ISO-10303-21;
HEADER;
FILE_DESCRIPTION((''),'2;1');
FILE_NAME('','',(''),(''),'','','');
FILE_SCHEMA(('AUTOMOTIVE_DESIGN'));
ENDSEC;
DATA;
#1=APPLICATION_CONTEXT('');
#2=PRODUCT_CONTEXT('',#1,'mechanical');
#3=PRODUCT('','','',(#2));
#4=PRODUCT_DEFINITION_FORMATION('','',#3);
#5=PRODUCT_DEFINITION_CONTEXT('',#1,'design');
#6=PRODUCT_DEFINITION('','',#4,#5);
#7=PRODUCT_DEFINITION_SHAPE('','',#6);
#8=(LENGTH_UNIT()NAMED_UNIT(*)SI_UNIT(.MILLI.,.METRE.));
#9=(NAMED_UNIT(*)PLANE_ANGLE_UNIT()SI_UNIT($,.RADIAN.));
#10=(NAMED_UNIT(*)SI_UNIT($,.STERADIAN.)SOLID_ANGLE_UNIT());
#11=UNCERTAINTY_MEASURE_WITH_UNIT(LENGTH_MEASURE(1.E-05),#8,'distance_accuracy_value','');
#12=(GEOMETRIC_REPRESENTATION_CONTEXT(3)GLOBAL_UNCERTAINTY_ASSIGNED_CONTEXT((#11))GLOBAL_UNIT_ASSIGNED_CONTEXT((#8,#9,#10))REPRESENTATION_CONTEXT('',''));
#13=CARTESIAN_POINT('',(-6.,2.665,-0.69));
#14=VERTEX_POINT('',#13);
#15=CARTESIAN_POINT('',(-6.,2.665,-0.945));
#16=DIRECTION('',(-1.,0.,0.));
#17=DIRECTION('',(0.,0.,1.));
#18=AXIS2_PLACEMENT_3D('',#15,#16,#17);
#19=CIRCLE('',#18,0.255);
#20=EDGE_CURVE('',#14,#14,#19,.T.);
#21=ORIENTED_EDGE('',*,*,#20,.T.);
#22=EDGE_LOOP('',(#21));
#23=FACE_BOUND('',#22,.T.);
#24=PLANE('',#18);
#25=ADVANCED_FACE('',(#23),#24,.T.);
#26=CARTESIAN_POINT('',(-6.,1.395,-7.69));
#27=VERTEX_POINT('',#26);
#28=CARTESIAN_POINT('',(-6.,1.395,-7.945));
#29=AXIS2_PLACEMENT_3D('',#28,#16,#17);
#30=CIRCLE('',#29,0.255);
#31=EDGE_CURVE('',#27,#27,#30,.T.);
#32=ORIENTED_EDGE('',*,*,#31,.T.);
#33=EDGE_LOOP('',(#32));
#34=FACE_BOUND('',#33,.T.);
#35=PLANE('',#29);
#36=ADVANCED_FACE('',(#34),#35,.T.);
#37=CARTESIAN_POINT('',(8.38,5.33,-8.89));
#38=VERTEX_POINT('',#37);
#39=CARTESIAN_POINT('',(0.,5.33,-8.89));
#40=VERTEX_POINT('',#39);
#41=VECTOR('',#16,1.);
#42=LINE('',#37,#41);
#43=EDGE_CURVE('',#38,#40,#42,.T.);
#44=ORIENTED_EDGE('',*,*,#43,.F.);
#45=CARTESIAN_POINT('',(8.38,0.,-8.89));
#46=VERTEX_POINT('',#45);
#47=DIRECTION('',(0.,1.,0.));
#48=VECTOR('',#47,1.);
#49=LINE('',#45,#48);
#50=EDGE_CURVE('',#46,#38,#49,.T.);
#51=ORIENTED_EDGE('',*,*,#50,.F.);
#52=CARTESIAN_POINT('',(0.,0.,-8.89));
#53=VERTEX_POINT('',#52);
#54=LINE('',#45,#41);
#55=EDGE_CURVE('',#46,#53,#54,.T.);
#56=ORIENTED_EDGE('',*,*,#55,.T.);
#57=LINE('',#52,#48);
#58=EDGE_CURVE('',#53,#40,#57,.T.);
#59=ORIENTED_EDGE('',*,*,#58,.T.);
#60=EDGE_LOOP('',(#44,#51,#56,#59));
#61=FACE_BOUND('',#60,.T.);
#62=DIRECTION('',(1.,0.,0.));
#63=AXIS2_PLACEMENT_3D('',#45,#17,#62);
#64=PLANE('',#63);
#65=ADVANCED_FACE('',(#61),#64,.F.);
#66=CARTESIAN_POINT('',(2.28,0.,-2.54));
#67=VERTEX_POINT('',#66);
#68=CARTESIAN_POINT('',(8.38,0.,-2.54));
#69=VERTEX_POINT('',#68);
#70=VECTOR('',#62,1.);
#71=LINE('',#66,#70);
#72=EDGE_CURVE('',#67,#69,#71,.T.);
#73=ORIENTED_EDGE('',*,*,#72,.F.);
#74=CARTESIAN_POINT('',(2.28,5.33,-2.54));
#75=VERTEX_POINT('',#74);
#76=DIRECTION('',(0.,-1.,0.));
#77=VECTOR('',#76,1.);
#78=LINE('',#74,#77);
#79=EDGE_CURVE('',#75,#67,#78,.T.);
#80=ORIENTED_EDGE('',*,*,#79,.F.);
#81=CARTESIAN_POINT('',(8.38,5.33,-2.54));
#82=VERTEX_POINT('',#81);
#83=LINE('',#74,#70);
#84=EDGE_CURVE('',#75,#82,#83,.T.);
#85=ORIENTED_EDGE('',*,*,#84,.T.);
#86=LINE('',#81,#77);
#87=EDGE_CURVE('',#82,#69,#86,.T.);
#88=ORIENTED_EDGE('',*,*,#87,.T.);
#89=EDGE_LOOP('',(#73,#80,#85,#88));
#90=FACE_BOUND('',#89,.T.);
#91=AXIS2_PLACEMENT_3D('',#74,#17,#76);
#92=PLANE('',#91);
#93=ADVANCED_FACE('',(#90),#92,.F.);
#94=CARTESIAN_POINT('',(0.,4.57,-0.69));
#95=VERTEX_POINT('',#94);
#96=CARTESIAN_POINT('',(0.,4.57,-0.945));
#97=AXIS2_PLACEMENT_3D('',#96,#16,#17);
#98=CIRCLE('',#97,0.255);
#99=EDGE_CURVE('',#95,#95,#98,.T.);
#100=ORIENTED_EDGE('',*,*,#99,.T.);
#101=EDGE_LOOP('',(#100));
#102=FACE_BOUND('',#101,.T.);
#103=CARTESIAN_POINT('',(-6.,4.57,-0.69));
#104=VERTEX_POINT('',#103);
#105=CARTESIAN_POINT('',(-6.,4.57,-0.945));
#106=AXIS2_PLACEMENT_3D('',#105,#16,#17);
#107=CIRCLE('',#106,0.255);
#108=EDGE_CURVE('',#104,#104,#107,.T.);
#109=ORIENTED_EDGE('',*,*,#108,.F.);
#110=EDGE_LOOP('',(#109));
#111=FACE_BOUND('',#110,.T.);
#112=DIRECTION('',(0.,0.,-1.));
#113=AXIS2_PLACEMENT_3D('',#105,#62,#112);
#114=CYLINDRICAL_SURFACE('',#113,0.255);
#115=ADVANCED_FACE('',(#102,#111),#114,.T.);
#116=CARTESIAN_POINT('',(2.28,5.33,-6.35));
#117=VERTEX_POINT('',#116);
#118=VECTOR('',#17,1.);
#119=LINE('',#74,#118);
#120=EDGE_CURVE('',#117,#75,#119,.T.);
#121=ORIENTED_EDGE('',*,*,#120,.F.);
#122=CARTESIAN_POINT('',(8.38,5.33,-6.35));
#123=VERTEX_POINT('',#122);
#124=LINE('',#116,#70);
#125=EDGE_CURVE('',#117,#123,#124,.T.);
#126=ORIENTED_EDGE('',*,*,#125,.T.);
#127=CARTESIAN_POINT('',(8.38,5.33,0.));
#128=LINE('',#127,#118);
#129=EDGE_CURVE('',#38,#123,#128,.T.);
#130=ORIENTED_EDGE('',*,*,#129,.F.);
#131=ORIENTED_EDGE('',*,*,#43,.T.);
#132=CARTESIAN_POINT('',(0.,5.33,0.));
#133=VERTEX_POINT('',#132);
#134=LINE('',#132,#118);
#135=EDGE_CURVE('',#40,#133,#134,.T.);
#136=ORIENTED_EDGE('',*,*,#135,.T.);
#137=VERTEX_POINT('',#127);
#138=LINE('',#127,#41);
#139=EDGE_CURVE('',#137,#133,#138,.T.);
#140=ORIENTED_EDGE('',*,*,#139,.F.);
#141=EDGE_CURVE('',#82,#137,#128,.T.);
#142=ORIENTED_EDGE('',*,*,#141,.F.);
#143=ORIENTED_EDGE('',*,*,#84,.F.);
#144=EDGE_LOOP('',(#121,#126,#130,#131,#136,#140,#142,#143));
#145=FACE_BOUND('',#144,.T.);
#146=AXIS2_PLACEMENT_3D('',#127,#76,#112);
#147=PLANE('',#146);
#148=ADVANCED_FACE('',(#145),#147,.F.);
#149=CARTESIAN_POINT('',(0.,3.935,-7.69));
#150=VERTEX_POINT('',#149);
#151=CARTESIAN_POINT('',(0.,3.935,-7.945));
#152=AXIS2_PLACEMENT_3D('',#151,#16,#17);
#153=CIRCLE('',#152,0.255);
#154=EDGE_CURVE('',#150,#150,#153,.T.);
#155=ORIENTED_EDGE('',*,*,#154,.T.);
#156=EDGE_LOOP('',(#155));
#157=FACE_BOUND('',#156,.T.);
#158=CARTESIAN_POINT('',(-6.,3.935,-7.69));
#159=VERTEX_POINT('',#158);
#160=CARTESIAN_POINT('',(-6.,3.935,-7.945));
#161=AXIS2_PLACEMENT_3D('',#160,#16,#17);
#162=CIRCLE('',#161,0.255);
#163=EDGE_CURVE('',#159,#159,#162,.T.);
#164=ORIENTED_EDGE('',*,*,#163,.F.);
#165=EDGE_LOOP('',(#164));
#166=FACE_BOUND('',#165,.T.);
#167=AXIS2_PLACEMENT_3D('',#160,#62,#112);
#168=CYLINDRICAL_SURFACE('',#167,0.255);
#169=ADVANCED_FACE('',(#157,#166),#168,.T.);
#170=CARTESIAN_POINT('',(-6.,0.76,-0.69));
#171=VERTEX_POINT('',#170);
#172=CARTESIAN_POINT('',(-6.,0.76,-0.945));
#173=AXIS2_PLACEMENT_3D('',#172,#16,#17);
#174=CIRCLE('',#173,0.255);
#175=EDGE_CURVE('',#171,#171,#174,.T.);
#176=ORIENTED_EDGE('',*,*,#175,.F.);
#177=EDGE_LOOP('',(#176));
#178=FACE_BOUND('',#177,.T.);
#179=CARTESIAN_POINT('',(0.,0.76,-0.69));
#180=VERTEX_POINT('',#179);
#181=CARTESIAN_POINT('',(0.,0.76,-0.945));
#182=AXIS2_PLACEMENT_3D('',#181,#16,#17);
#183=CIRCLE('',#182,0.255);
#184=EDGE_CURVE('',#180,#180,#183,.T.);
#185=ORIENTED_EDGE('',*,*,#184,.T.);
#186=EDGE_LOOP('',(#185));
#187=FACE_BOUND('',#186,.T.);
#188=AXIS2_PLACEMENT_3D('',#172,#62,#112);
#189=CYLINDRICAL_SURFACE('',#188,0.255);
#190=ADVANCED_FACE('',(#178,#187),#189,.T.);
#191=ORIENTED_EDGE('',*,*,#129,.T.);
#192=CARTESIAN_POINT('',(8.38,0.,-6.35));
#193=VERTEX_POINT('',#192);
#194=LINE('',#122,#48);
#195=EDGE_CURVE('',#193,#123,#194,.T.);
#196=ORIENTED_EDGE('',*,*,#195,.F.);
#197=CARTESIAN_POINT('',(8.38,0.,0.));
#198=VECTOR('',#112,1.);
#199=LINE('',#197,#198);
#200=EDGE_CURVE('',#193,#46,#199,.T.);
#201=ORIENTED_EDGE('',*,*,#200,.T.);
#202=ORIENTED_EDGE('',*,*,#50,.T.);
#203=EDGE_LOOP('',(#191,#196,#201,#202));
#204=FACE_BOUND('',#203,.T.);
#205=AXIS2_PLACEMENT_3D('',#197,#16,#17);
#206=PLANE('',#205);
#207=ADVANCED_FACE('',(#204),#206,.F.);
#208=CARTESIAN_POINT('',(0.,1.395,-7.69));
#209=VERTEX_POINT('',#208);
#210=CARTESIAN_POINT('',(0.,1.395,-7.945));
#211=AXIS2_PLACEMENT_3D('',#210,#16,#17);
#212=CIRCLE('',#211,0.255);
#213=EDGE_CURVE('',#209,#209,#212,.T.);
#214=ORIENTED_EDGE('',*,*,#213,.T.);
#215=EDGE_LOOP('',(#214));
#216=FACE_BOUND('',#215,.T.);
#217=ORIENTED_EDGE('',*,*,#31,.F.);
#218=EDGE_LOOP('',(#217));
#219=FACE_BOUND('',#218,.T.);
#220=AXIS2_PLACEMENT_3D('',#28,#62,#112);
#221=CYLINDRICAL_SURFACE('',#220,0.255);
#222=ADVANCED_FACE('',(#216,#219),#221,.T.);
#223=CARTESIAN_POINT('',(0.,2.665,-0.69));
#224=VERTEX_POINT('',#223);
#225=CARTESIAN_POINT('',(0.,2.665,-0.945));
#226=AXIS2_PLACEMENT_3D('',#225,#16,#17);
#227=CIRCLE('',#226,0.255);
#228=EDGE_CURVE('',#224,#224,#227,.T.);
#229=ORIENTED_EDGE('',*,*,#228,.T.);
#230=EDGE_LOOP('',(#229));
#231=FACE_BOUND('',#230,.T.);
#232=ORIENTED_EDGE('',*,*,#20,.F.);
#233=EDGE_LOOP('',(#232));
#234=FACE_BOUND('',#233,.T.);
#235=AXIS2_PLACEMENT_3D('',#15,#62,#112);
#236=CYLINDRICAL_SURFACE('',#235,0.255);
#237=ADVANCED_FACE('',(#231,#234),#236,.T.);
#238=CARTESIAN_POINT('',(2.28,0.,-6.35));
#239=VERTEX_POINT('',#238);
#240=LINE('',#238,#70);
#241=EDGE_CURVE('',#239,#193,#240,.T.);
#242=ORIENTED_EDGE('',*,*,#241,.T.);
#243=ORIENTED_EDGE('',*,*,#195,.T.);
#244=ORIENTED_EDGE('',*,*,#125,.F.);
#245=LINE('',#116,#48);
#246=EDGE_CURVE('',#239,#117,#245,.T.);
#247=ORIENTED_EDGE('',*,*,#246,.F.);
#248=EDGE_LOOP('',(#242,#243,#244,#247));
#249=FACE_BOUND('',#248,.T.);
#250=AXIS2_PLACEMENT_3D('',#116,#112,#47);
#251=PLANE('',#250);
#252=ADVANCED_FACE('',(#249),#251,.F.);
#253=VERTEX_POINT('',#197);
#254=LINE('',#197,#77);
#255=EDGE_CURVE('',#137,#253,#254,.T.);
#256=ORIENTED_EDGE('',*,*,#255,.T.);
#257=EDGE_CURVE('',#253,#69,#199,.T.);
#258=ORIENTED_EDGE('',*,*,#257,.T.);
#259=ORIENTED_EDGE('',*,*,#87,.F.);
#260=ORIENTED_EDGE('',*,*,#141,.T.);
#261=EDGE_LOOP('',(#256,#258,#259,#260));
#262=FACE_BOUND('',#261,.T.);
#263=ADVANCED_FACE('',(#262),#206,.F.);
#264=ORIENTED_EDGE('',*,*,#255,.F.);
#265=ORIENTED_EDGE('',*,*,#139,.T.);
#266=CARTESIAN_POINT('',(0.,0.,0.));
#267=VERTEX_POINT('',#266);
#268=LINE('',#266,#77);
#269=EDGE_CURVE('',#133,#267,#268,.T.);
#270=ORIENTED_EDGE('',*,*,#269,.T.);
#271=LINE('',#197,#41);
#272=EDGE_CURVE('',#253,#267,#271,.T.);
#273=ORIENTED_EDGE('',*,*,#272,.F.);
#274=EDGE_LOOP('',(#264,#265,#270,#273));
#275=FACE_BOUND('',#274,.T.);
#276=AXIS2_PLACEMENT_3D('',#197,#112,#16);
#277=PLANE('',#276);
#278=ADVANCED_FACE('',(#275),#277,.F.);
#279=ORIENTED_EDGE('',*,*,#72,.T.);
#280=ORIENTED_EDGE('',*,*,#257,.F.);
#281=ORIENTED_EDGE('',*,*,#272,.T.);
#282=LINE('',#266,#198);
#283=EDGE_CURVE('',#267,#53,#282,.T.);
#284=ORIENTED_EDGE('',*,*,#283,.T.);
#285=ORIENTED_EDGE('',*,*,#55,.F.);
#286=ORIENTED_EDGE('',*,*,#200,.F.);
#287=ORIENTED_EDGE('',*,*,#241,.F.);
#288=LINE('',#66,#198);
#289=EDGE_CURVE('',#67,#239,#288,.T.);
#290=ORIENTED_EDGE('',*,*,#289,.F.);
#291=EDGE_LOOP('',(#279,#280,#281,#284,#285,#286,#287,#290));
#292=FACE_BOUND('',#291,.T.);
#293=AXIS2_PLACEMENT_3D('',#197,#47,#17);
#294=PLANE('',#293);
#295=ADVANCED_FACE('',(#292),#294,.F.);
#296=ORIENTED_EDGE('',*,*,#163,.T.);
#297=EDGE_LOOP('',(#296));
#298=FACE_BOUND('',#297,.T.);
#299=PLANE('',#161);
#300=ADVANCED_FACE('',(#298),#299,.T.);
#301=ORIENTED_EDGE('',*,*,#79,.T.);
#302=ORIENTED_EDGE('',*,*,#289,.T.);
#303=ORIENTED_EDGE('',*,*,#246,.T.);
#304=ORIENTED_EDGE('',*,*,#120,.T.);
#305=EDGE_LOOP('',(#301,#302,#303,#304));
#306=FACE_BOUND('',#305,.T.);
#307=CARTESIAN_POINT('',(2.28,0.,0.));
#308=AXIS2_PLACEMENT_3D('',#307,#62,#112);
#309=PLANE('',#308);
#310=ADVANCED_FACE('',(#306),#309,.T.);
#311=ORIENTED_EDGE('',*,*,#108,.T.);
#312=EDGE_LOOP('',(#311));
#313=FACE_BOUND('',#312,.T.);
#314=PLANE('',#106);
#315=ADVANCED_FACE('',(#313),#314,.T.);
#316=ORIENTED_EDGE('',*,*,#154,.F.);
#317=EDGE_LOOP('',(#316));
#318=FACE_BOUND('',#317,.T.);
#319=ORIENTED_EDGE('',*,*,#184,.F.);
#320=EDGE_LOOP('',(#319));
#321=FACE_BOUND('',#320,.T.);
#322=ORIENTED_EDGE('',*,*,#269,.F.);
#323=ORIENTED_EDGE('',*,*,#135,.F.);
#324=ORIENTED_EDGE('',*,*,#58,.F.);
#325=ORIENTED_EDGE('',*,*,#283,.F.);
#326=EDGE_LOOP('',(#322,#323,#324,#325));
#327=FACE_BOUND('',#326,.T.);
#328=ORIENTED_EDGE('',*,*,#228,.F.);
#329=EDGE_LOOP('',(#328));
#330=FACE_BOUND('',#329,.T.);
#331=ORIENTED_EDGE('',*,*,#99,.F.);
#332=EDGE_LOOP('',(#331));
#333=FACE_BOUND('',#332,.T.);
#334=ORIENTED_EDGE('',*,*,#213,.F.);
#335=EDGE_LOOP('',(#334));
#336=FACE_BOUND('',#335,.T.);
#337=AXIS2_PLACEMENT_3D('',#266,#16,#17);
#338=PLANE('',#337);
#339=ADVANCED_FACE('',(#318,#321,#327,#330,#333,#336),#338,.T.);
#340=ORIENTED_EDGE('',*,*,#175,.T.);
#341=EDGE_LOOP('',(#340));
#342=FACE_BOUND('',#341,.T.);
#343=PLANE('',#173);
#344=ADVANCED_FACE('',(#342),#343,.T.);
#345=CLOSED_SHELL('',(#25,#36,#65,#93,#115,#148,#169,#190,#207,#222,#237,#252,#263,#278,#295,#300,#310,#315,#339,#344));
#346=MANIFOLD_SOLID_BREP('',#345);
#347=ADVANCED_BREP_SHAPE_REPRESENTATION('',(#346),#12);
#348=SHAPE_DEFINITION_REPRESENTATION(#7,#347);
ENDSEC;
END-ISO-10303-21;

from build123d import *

# Parameters (mm, degrees)
SKETCH1_W           = 8.89
SKETCH1_H           = 5.33
BOSS_EXTRUDE1_DEPTH = 8.38
SKETCH2_W           = 3.81
SKETCH2_H           = 5.33
CUT_EXTRUDE1_DEPTH  = 6.1
SKETCH3_R           = 0.255
BOSS_EXTRUDE2_DEPTH = 6


with BuildPart() as part:
    # Sketch1 → Boss-Extrude1 (new body)
    with BuildSketch(Plane(origin=(0, 0, 0), x_dir=(0, 0, -1), z_dir=(1, 0, 0))):
        with Locations((4.445, 2.665)):
            Rectangle(SKETCH1_W, SKETCH1_H)
    extrude(amount=BOSS_EXTRUDE1_DEPTH)

    # Sketch2 → Cut-Extrude1 (cut)
    with BuildSketch(Plane(origin=(8.38, 0, 0), x_dir=(0, 0, -1), z_dir=(1, 0, 0))):
        with Locations((4.445, 2.665)):
            Rectangle(SKETCH2_W, SKETCH2_H)
    extrude(amount=-CUT_EXTRUDE1_DEPTH, mode=Mode.SUBTRACT)

    # Sketch3 → Boss-Extrude2 (add)
    with BuildSketch(Plane.ZY):
        with Locations((-7.945, 3.935)):
            Circle(SKETCH3_R)
        with Locations((-7.945, 1.395)):
            Circle(SKETCH3_R)
        with Locations((-0.945, 4.57)):
            Circle(SKETCH3_R)
        with Locations((-0.945, 2.665)):
            Circle(SKETCH3_R)
        with Locations((-0.945, 0.76)):
            Circle(SKETCH3_R)
    extrude(amount=BOSS_EXTRUDE2_DEPTH)


solid = part.part
